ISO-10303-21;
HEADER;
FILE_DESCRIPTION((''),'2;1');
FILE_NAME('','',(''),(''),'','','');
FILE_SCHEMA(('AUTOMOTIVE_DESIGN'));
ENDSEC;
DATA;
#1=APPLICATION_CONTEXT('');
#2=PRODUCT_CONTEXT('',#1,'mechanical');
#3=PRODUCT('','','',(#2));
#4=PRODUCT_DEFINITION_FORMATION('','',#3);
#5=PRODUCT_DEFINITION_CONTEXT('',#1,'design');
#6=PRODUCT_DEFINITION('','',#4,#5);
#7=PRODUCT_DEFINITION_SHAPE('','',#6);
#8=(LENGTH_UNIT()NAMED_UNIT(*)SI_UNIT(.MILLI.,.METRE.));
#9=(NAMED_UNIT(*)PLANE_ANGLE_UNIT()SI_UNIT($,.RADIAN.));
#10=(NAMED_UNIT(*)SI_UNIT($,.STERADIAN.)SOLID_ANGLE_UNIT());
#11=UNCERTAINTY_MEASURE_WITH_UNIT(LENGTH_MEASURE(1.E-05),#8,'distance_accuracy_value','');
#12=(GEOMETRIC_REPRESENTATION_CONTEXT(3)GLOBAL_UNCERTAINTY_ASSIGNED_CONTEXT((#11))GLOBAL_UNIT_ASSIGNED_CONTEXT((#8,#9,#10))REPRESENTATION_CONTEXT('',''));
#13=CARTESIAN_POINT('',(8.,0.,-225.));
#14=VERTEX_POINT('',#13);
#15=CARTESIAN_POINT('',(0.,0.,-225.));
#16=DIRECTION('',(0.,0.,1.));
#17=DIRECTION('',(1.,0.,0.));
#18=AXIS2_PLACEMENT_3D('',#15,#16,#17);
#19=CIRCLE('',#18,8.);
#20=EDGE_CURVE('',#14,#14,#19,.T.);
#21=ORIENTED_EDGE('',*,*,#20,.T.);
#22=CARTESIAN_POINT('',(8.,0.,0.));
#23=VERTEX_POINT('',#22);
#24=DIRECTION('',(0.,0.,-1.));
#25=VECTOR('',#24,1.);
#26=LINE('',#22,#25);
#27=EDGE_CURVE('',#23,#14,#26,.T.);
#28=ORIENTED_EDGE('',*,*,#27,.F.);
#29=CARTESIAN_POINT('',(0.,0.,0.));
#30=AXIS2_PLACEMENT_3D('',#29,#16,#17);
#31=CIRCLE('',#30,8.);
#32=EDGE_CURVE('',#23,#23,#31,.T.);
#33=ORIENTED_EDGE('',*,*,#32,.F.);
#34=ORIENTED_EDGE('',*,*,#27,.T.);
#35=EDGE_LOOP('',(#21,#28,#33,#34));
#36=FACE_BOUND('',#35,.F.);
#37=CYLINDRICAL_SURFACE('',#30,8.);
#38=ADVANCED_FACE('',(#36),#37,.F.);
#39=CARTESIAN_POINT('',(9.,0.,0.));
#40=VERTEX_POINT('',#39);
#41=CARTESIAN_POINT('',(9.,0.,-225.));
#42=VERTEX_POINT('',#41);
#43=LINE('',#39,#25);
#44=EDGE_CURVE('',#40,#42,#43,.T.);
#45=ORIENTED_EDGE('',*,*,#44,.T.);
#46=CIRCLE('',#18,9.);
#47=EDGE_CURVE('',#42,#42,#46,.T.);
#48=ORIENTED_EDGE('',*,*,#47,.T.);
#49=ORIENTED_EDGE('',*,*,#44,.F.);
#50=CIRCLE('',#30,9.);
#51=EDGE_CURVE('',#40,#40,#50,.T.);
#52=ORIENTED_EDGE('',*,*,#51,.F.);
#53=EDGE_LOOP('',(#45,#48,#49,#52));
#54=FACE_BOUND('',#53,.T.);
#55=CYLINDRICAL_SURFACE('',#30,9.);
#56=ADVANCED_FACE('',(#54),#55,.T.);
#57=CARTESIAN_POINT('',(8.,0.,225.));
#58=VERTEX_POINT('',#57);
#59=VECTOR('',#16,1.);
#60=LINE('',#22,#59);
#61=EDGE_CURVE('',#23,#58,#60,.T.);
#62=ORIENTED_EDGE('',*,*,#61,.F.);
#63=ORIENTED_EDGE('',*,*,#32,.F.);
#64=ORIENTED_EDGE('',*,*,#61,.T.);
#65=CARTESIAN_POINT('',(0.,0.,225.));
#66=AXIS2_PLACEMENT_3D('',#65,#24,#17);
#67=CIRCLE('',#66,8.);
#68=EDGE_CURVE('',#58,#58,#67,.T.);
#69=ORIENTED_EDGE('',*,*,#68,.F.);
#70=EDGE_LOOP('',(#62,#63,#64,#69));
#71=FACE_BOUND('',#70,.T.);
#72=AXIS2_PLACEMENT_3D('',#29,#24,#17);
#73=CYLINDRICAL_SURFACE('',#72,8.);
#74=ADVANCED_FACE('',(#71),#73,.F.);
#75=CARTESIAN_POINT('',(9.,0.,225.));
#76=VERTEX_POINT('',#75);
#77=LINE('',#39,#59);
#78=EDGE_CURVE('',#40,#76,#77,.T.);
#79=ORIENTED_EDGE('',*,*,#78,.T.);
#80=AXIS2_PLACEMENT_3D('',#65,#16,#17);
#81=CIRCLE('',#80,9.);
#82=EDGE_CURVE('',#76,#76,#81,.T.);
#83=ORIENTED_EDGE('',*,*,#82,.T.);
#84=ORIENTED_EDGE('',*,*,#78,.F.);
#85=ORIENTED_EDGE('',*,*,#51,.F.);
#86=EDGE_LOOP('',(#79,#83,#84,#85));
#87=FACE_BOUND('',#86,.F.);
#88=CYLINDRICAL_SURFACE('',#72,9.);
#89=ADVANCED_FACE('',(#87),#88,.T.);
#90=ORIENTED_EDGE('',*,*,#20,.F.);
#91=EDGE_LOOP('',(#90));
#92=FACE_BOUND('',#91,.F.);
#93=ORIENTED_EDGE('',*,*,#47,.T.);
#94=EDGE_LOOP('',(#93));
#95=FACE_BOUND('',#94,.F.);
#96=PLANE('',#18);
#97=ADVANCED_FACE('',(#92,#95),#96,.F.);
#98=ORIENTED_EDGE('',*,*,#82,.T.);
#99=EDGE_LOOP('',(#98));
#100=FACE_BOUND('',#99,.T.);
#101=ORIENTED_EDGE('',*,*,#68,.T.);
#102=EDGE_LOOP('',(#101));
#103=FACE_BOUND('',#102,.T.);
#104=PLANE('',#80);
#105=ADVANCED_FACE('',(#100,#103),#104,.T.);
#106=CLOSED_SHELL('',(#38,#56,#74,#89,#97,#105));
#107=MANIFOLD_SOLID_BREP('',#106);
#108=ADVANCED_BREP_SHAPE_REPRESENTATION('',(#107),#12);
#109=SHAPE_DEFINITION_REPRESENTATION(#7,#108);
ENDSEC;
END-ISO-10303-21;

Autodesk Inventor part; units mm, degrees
ref_plane "YZ Plane" through (0, 0, 0) normal (1, 0, 0) x (0, 1, 0)
ref_plane "XZ Plane" through (0, 0, 0) normal (0, 1, 0) x (-1, 0, 0)
ref_plane "XY Plane" through (0, 0, 0) normal (0, 0, 1) x (1, 0, 0)
sketch "Szkic1" plane through (0, 0, 0) normal (0, 0, 1) x (1, 0, 0)
  circle A0 centre (0, 0) radius 9
  dimension "d0" = 18
extrude "Wyciągnięcie proste1" add sketch "Szkic1" along normal mid plane 450
shell "Skorupa1" thickness 1 removed faces 2 at (2.2455, -1.9894, 225) at (2.2455, -1.9894, -225)
thread "Gwint1" size "M16x2" class "6H" standard "ANSI Metric M Profile" length 15
thread "Gwint2" size "M16x2" class "6H" standard "ANSI Metric M Profile" length 15
properties part number "Belka" material "Aluminium AW-7020"
